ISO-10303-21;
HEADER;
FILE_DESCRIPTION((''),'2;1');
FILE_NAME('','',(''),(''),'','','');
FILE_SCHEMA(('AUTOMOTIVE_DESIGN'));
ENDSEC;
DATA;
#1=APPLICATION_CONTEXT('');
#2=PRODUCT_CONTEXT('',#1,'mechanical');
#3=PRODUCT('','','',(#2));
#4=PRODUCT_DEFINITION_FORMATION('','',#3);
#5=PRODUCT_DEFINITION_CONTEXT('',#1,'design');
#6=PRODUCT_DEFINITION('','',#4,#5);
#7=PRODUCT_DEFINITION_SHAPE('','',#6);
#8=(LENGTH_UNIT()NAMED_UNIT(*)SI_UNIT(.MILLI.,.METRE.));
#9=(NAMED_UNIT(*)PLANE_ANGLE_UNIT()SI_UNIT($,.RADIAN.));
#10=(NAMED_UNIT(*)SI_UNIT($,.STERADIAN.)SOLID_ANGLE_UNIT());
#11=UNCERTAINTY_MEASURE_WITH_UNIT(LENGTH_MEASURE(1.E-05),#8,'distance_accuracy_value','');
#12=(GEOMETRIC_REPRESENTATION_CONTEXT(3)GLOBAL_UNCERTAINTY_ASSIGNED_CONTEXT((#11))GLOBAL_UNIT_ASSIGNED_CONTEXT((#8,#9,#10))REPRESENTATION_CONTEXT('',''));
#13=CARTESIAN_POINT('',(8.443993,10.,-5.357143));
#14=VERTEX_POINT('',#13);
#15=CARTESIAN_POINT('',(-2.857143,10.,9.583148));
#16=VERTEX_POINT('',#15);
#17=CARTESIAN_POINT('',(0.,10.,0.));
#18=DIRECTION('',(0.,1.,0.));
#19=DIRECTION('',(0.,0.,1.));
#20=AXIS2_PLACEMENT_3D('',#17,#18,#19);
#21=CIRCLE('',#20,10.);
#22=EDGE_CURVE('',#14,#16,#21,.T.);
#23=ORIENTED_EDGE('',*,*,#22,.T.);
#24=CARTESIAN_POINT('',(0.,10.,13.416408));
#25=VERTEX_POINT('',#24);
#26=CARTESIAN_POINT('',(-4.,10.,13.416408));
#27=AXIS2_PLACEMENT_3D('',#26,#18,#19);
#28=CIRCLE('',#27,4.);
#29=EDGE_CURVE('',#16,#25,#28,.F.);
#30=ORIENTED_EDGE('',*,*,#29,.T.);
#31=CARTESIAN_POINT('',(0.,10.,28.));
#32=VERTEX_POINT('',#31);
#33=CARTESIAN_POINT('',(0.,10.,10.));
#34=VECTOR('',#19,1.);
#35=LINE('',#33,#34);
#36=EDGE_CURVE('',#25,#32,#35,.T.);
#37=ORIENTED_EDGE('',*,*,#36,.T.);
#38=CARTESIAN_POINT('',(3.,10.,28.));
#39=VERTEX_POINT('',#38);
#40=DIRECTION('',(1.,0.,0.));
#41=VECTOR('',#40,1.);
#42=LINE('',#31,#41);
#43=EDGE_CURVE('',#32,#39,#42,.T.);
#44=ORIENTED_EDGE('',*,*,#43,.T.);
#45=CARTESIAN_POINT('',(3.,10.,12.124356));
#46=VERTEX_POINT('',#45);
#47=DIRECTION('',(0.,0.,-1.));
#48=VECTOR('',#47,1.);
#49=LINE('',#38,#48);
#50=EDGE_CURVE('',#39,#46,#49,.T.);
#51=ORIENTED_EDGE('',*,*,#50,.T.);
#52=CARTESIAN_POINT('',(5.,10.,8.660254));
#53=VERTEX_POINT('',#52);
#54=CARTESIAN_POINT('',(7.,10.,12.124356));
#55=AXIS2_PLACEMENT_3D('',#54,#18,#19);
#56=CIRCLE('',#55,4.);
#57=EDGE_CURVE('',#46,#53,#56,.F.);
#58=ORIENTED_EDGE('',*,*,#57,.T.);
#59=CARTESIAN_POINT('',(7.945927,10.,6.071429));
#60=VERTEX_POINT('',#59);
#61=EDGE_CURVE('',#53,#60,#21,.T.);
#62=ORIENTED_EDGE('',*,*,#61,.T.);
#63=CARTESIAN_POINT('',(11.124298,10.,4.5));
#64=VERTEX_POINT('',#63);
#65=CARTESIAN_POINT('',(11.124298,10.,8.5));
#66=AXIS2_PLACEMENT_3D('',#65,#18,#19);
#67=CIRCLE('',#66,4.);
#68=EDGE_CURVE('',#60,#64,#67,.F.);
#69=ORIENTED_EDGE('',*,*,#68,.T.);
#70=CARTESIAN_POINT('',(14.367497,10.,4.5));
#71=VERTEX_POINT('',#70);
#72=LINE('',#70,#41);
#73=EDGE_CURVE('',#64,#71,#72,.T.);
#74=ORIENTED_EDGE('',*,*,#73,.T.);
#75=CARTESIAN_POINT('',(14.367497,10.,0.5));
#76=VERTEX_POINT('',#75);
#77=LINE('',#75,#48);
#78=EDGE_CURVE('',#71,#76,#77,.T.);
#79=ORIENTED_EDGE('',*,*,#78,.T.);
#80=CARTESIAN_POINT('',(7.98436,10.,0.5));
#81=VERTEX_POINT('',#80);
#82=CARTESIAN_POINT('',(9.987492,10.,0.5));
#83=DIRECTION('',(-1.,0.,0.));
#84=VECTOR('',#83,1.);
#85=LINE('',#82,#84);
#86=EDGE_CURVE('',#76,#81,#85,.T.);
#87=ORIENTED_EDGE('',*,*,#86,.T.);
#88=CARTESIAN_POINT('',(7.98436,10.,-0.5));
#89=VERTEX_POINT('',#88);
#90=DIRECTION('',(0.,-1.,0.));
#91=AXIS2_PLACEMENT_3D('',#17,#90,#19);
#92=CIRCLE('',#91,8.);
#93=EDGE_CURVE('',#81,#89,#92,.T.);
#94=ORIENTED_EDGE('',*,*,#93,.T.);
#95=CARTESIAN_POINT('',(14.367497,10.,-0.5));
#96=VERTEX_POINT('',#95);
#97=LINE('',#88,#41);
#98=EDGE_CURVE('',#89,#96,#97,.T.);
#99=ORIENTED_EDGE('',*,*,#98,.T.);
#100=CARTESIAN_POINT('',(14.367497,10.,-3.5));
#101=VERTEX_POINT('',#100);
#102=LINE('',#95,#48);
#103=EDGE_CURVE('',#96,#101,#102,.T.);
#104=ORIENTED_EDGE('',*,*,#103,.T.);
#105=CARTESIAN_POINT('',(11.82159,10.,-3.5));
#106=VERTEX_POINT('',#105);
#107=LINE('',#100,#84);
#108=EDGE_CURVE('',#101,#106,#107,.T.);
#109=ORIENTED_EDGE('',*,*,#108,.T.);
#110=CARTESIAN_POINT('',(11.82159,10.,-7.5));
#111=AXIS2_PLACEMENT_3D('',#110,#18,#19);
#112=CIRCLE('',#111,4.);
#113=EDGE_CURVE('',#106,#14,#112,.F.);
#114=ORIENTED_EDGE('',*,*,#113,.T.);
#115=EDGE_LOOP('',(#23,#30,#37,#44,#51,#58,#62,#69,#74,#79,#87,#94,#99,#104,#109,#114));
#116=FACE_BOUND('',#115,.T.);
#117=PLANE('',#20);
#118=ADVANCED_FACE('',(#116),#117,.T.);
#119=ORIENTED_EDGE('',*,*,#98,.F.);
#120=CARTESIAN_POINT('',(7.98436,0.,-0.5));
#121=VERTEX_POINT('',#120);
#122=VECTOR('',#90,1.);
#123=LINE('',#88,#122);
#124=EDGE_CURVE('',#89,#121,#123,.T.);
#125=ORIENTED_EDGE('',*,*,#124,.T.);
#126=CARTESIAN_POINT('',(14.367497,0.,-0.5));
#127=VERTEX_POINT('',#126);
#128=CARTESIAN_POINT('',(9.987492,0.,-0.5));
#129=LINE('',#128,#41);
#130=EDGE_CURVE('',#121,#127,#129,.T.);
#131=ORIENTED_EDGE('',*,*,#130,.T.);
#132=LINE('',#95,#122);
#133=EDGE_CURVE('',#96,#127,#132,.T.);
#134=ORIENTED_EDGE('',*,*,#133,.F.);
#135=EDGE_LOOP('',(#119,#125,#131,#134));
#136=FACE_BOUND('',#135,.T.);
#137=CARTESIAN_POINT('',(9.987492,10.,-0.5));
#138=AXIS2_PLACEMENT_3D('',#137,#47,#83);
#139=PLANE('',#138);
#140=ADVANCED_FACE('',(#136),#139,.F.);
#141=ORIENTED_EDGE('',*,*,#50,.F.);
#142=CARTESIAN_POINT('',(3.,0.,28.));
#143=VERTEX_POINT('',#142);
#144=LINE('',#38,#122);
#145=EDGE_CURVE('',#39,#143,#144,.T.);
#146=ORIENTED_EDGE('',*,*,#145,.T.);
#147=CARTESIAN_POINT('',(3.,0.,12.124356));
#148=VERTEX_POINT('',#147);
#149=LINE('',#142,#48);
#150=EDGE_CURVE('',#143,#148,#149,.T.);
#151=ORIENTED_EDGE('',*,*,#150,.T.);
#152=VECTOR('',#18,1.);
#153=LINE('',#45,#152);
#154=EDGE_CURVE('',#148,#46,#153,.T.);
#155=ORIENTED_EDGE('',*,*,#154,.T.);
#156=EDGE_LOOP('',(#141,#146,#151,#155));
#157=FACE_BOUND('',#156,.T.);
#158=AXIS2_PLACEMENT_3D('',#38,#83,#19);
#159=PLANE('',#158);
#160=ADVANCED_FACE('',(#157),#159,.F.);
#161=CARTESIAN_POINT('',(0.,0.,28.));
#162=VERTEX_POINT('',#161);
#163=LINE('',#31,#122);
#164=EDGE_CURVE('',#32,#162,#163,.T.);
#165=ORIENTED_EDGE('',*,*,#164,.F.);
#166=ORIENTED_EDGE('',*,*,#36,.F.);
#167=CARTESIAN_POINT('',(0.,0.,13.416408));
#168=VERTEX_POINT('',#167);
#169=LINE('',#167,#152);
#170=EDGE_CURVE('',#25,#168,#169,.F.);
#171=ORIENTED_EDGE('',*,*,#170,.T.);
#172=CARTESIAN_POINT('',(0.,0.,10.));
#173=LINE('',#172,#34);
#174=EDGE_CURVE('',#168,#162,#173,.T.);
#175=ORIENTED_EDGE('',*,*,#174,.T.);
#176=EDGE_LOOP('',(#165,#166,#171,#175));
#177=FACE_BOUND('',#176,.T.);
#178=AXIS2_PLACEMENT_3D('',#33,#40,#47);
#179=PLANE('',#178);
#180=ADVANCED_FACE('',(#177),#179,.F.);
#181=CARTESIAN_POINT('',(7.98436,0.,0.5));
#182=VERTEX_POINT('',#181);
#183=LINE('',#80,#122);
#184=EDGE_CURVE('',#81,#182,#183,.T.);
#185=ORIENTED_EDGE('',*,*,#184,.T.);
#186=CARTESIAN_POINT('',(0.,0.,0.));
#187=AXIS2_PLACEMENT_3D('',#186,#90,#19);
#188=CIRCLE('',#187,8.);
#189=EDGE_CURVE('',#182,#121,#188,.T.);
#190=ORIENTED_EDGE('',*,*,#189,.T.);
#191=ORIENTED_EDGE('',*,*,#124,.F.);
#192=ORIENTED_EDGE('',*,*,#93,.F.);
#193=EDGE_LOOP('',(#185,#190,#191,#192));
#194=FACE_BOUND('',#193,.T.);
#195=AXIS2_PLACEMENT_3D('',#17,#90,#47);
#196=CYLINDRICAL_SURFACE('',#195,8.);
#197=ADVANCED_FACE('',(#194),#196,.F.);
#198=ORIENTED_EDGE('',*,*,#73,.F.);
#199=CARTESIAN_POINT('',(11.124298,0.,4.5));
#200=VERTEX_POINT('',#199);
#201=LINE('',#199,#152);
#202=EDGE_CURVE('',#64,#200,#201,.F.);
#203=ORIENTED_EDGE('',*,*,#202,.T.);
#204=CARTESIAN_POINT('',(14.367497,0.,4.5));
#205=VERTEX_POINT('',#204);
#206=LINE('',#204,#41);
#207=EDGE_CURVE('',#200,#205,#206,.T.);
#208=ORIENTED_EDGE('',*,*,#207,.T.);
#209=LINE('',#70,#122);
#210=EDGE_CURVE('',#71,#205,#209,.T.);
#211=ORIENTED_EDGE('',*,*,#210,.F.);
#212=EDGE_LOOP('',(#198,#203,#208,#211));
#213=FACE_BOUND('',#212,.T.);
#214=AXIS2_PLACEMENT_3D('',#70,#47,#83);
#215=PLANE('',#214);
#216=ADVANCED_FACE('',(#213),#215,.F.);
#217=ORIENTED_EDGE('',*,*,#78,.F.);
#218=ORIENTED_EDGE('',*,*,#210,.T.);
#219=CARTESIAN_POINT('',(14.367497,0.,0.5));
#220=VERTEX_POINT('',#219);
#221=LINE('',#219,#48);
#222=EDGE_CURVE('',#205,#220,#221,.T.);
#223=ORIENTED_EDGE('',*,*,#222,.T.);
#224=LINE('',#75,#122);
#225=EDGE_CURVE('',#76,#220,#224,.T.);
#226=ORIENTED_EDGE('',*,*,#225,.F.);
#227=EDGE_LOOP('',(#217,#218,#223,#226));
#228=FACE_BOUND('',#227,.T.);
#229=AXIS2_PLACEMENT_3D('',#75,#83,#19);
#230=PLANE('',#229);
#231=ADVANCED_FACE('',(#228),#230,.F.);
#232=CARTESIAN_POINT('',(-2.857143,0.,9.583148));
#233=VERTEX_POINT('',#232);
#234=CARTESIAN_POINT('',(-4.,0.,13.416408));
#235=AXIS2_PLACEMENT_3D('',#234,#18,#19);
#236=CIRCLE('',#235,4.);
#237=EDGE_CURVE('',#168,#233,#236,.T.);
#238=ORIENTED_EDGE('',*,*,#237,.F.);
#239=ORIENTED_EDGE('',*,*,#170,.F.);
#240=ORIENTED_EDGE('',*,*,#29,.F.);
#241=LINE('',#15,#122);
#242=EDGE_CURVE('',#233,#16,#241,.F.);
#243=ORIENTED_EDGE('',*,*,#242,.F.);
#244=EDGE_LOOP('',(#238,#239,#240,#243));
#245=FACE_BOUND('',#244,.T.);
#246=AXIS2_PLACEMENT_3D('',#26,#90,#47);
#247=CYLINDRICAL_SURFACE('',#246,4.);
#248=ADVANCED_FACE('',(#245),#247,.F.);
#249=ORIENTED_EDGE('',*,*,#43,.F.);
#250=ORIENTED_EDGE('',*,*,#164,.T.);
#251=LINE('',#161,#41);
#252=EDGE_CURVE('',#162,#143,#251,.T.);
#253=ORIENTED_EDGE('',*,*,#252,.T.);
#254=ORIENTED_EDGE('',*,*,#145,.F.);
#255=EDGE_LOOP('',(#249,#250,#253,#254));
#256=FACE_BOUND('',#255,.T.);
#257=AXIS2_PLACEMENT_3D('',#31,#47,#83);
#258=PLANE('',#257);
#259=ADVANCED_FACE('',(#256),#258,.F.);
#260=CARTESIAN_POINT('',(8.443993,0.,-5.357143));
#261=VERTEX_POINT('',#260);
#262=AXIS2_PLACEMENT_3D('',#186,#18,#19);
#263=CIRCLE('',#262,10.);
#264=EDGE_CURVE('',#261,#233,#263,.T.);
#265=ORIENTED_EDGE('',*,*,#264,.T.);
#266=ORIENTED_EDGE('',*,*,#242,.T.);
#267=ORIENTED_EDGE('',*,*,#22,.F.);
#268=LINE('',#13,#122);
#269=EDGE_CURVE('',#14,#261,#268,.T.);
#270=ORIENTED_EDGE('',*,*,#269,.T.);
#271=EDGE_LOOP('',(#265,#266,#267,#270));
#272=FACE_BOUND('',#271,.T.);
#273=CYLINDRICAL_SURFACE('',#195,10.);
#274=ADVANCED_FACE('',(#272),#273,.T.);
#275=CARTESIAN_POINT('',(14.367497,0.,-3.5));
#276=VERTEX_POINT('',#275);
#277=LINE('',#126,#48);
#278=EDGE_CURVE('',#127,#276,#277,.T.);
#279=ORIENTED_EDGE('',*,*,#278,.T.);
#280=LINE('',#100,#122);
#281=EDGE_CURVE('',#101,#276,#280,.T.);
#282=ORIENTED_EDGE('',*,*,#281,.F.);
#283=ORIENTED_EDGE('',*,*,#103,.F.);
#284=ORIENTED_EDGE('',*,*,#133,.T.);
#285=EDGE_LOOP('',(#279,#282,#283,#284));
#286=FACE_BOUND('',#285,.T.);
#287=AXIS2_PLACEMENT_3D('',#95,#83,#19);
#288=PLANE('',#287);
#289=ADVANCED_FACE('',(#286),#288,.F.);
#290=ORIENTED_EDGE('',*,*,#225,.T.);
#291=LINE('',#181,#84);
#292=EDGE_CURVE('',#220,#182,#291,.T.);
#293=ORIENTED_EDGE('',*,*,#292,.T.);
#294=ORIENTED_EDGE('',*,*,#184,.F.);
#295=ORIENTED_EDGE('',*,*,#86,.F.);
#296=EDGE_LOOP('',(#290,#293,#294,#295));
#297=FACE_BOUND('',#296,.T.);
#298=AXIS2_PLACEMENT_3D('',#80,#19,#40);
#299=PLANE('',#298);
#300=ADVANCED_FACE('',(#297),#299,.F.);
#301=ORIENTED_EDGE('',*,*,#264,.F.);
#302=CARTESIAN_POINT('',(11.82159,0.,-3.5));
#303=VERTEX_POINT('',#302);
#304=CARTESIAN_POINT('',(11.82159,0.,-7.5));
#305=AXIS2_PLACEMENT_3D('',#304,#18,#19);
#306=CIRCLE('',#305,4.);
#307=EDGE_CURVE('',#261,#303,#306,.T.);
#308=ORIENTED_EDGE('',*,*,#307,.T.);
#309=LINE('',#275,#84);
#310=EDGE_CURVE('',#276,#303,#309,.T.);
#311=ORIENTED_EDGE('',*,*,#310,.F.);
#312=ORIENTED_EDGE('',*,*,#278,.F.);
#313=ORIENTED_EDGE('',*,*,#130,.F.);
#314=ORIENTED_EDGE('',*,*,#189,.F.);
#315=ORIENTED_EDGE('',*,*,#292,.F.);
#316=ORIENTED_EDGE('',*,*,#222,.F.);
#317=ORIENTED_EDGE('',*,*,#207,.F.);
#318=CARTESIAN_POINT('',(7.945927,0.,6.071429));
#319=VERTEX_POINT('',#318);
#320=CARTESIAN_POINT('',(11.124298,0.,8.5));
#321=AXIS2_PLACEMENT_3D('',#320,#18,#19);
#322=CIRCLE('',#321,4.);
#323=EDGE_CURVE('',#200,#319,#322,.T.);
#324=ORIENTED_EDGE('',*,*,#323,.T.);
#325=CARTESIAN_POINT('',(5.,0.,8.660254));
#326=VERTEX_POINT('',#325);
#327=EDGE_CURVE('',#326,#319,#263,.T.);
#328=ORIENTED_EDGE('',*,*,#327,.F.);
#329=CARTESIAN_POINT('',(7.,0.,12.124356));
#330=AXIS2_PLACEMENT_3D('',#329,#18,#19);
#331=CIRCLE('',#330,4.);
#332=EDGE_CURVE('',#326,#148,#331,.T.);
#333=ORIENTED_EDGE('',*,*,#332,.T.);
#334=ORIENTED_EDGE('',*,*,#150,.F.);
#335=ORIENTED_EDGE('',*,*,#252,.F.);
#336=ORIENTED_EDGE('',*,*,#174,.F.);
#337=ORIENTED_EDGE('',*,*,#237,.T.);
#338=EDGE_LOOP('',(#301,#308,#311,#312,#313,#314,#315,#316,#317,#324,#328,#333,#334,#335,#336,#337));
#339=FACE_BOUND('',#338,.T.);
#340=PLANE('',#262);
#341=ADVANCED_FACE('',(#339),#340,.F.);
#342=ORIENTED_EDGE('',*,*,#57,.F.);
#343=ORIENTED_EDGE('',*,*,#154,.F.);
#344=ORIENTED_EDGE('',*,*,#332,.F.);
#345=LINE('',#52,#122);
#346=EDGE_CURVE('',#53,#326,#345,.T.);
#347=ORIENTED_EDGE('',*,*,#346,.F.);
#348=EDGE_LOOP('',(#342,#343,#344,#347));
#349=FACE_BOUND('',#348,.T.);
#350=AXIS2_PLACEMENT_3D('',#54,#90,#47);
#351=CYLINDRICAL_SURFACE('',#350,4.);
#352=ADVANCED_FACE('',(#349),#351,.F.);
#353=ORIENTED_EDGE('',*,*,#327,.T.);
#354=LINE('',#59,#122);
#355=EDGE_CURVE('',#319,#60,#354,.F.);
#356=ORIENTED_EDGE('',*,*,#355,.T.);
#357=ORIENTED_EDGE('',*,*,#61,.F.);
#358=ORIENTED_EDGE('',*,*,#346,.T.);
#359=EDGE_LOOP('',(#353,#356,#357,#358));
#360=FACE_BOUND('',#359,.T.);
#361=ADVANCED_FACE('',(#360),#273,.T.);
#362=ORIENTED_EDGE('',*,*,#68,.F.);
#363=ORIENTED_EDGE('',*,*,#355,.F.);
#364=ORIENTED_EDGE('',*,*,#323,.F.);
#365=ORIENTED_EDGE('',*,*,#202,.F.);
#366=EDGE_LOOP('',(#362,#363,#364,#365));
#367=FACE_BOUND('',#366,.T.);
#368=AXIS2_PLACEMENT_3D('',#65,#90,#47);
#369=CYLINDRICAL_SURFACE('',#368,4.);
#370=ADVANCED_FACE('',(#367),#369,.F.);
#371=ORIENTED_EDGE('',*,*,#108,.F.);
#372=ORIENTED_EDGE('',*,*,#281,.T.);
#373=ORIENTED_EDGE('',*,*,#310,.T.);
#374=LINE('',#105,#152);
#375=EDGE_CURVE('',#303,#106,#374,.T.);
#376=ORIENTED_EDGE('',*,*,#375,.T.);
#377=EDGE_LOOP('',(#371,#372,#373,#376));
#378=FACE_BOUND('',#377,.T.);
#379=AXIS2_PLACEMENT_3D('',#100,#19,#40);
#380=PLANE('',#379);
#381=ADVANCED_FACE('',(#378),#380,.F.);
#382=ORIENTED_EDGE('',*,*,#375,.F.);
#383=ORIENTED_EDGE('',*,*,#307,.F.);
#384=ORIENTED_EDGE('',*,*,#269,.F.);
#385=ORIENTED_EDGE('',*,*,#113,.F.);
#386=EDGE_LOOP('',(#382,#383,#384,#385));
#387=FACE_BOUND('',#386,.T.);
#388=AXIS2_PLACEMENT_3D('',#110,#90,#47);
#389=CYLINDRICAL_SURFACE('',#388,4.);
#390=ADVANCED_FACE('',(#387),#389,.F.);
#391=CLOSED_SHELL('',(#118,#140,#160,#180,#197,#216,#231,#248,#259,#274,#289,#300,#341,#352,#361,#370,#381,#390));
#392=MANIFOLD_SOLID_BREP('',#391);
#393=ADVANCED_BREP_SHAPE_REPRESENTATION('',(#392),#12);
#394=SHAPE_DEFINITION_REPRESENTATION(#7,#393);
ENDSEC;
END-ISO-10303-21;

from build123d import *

# Parameters (mm, degrees)
BOSS_EXTRUDE1_DEPTH = 10
FILLET1_R           = 4


with BuildPart() as part:
    # Sketch1 → Boss-Extrude1 (new body)
    with BuildSketch(Plane(origin=(0, 0, 0), x_dir=(1, 0, 0), z_dir=(0, 1, 0))):
        with BuildLine():
            Line((0, -10), (0, -28))
            Line((0, -28), (3, -28))
            Line((3, -28), (3, -9.539392014))
            ThreePointArc((3, -9.539392014), (6.47547653, -7.620249583), (8.93028555, -4.5))
            Line((8.93028555, -4.5), (14.367496998, -4.5))
            Line((14.367496998, -4.5), (14.367496998, -0.5))
            Line((14.367496998, -0.5), (9.987492178, -0.5))
            Line((9.987492178, -0.5), (7.984359711, -0.5))
            ThreePointArc((7.984359711, -0.5), (-8, 0), (7.984359711, 0.5))
            Line((7.984359711, 0.5), (9.987492178, 0.5))
            Line((9.987492178, 0.5), (14.367496998, 0.5))
            Line((14.367496998, 0.5), (14.367496998, 3.5))
            Line((14.367496998, 3.5), (9.367496998, 3.5))
            ThreePointArc((9.367496998, 3.5), (-8.215838363, 5.700877125), (0, -10))
        make_face()
    extrude(amount=BOSS_EXTRUDE1_DEPTH)

    # Fillet1
    fillet1_edges = [part.edges().sort_by_distance(p)[0] for p in [
        (8.93028555, 5, 4.5),
        (3, 5, 9.539392014),
        (0, 5, 10),
        (9.367496998, 5, -3.5),
    ]]
    fillet(fillet1_edges, radius=FILLET1_R)


solid = part.part
